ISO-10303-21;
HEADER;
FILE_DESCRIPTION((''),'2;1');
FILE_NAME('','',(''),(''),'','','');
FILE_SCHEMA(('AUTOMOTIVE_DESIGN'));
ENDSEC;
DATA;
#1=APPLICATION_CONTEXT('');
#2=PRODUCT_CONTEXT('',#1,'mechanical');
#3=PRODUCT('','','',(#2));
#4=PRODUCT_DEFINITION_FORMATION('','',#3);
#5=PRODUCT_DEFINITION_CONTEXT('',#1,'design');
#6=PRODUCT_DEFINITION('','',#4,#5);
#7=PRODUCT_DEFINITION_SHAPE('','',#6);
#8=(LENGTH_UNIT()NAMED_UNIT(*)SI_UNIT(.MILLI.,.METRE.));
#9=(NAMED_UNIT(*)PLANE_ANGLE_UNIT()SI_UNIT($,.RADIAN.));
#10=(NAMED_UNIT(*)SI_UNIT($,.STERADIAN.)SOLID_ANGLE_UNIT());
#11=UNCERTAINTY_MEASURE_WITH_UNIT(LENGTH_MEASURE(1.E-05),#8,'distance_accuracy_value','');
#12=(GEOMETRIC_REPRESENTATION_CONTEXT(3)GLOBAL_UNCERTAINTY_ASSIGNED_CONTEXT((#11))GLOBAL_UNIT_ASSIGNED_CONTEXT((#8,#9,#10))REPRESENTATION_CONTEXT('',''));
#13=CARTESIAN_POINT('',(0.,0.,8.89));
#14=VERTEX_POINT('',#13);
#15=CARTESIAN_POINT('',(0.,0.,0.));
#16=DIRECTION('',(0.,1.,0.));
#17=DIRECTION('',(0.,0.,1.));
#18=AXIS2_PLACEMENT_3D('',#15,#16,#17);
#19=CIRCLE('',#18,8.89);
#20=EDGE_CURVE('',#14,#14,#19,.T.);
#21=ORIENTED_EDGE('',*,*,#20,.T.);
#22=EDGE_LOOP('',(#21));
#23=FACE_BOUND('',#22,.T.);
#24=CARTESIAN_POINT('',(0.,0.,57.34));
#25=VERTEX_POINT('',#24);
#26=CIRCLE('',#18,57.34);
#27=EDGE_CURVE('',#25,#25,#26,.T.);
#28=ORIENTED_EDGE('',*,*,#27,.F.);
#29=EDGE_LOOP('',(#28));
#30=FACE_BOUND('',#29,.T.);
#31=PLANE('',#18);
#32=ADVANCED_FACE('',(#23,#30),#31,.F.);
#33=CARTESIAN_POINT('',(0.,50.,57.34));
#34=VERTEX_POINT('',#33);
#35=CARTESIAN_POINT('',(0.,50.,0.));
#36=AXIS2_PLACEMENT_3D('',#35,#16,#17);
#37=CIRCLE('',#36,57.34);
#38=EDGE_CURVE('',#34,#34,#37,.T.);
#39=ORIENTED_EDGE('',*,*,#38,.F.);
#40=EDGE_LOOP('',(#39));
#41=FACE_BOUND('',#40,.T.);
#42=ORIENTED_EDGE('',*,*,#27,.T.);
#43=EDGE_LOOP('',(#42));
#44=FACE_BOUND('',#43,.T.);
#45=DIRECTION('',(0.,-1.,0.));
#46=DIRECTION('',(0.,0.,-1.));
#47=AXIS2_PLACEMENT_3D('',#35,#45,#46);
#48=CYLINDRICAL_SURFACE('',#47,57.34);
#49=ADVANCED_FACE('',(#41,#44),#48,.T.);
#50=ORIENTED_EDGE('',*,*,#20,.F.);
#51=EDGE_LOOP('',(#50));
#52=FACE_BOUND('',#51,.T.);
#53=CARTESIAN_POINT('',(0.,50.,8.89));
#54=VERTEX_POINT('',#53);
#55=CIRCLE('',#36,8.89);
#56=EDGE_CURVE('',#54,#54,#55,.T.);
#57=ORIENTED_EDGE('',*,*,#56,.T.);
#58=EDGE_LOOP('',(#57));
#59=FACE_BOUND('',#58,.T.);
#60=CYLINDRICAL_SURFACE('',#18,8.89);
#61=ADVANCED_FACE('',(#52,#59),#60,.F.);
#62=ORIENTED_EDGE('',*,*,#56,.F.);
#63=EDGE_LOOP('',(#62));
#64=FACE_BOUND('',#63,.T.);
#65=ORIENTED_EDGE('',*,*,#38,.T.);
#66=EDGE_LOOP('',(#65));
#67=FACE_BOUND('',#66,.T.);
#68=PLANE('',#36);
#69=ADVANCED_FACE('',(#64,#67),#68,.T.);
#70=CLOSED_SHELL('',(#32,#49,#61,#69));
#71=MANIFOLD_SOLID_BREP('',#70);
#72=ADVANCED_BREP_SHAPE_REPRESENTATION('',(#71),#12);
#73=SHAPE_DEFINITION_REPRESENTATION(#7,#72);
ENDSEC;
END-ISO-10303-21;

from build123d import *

# Parameters (mm, degrees)
SKETCH_1_R          = 57.34
EXTRUDE_2_DEPTH     = 50
SKETCH_3_R          = 8.89
CUT_EXTRUDE_1_DEPTH = 50


with BuildPart() as part:
    # 草图1 → 凸台-拉伸2 (new body)
    with BuildSketch(Plane(origin=(0, 0, 0), x_dir=(1, 0, 0), z_dir=(0, 1, 0))):
        with Locations(Location((0, 0, 0), (0, 0, 270))):
            Circle(SKETCH_1_R)
    extrude(amount=EXTRUDE_2_DEPTH)

    # 草图3 → 切除-拉伸1 (cut)
    with BuildSketch(Plane(origin=(0, 50, 0), x_dir=(1, 0, 0), z_dir=(0, 1, 0))):
        with Locations(Location((0, 0, 0), (0, 0, 270))):
            Circle(SKETCH_3_R)
    extrude(amount=-CUT_EXTRUDE_1_DEPTH, mode=Mode.SUBTRACT)


solid = part.part
